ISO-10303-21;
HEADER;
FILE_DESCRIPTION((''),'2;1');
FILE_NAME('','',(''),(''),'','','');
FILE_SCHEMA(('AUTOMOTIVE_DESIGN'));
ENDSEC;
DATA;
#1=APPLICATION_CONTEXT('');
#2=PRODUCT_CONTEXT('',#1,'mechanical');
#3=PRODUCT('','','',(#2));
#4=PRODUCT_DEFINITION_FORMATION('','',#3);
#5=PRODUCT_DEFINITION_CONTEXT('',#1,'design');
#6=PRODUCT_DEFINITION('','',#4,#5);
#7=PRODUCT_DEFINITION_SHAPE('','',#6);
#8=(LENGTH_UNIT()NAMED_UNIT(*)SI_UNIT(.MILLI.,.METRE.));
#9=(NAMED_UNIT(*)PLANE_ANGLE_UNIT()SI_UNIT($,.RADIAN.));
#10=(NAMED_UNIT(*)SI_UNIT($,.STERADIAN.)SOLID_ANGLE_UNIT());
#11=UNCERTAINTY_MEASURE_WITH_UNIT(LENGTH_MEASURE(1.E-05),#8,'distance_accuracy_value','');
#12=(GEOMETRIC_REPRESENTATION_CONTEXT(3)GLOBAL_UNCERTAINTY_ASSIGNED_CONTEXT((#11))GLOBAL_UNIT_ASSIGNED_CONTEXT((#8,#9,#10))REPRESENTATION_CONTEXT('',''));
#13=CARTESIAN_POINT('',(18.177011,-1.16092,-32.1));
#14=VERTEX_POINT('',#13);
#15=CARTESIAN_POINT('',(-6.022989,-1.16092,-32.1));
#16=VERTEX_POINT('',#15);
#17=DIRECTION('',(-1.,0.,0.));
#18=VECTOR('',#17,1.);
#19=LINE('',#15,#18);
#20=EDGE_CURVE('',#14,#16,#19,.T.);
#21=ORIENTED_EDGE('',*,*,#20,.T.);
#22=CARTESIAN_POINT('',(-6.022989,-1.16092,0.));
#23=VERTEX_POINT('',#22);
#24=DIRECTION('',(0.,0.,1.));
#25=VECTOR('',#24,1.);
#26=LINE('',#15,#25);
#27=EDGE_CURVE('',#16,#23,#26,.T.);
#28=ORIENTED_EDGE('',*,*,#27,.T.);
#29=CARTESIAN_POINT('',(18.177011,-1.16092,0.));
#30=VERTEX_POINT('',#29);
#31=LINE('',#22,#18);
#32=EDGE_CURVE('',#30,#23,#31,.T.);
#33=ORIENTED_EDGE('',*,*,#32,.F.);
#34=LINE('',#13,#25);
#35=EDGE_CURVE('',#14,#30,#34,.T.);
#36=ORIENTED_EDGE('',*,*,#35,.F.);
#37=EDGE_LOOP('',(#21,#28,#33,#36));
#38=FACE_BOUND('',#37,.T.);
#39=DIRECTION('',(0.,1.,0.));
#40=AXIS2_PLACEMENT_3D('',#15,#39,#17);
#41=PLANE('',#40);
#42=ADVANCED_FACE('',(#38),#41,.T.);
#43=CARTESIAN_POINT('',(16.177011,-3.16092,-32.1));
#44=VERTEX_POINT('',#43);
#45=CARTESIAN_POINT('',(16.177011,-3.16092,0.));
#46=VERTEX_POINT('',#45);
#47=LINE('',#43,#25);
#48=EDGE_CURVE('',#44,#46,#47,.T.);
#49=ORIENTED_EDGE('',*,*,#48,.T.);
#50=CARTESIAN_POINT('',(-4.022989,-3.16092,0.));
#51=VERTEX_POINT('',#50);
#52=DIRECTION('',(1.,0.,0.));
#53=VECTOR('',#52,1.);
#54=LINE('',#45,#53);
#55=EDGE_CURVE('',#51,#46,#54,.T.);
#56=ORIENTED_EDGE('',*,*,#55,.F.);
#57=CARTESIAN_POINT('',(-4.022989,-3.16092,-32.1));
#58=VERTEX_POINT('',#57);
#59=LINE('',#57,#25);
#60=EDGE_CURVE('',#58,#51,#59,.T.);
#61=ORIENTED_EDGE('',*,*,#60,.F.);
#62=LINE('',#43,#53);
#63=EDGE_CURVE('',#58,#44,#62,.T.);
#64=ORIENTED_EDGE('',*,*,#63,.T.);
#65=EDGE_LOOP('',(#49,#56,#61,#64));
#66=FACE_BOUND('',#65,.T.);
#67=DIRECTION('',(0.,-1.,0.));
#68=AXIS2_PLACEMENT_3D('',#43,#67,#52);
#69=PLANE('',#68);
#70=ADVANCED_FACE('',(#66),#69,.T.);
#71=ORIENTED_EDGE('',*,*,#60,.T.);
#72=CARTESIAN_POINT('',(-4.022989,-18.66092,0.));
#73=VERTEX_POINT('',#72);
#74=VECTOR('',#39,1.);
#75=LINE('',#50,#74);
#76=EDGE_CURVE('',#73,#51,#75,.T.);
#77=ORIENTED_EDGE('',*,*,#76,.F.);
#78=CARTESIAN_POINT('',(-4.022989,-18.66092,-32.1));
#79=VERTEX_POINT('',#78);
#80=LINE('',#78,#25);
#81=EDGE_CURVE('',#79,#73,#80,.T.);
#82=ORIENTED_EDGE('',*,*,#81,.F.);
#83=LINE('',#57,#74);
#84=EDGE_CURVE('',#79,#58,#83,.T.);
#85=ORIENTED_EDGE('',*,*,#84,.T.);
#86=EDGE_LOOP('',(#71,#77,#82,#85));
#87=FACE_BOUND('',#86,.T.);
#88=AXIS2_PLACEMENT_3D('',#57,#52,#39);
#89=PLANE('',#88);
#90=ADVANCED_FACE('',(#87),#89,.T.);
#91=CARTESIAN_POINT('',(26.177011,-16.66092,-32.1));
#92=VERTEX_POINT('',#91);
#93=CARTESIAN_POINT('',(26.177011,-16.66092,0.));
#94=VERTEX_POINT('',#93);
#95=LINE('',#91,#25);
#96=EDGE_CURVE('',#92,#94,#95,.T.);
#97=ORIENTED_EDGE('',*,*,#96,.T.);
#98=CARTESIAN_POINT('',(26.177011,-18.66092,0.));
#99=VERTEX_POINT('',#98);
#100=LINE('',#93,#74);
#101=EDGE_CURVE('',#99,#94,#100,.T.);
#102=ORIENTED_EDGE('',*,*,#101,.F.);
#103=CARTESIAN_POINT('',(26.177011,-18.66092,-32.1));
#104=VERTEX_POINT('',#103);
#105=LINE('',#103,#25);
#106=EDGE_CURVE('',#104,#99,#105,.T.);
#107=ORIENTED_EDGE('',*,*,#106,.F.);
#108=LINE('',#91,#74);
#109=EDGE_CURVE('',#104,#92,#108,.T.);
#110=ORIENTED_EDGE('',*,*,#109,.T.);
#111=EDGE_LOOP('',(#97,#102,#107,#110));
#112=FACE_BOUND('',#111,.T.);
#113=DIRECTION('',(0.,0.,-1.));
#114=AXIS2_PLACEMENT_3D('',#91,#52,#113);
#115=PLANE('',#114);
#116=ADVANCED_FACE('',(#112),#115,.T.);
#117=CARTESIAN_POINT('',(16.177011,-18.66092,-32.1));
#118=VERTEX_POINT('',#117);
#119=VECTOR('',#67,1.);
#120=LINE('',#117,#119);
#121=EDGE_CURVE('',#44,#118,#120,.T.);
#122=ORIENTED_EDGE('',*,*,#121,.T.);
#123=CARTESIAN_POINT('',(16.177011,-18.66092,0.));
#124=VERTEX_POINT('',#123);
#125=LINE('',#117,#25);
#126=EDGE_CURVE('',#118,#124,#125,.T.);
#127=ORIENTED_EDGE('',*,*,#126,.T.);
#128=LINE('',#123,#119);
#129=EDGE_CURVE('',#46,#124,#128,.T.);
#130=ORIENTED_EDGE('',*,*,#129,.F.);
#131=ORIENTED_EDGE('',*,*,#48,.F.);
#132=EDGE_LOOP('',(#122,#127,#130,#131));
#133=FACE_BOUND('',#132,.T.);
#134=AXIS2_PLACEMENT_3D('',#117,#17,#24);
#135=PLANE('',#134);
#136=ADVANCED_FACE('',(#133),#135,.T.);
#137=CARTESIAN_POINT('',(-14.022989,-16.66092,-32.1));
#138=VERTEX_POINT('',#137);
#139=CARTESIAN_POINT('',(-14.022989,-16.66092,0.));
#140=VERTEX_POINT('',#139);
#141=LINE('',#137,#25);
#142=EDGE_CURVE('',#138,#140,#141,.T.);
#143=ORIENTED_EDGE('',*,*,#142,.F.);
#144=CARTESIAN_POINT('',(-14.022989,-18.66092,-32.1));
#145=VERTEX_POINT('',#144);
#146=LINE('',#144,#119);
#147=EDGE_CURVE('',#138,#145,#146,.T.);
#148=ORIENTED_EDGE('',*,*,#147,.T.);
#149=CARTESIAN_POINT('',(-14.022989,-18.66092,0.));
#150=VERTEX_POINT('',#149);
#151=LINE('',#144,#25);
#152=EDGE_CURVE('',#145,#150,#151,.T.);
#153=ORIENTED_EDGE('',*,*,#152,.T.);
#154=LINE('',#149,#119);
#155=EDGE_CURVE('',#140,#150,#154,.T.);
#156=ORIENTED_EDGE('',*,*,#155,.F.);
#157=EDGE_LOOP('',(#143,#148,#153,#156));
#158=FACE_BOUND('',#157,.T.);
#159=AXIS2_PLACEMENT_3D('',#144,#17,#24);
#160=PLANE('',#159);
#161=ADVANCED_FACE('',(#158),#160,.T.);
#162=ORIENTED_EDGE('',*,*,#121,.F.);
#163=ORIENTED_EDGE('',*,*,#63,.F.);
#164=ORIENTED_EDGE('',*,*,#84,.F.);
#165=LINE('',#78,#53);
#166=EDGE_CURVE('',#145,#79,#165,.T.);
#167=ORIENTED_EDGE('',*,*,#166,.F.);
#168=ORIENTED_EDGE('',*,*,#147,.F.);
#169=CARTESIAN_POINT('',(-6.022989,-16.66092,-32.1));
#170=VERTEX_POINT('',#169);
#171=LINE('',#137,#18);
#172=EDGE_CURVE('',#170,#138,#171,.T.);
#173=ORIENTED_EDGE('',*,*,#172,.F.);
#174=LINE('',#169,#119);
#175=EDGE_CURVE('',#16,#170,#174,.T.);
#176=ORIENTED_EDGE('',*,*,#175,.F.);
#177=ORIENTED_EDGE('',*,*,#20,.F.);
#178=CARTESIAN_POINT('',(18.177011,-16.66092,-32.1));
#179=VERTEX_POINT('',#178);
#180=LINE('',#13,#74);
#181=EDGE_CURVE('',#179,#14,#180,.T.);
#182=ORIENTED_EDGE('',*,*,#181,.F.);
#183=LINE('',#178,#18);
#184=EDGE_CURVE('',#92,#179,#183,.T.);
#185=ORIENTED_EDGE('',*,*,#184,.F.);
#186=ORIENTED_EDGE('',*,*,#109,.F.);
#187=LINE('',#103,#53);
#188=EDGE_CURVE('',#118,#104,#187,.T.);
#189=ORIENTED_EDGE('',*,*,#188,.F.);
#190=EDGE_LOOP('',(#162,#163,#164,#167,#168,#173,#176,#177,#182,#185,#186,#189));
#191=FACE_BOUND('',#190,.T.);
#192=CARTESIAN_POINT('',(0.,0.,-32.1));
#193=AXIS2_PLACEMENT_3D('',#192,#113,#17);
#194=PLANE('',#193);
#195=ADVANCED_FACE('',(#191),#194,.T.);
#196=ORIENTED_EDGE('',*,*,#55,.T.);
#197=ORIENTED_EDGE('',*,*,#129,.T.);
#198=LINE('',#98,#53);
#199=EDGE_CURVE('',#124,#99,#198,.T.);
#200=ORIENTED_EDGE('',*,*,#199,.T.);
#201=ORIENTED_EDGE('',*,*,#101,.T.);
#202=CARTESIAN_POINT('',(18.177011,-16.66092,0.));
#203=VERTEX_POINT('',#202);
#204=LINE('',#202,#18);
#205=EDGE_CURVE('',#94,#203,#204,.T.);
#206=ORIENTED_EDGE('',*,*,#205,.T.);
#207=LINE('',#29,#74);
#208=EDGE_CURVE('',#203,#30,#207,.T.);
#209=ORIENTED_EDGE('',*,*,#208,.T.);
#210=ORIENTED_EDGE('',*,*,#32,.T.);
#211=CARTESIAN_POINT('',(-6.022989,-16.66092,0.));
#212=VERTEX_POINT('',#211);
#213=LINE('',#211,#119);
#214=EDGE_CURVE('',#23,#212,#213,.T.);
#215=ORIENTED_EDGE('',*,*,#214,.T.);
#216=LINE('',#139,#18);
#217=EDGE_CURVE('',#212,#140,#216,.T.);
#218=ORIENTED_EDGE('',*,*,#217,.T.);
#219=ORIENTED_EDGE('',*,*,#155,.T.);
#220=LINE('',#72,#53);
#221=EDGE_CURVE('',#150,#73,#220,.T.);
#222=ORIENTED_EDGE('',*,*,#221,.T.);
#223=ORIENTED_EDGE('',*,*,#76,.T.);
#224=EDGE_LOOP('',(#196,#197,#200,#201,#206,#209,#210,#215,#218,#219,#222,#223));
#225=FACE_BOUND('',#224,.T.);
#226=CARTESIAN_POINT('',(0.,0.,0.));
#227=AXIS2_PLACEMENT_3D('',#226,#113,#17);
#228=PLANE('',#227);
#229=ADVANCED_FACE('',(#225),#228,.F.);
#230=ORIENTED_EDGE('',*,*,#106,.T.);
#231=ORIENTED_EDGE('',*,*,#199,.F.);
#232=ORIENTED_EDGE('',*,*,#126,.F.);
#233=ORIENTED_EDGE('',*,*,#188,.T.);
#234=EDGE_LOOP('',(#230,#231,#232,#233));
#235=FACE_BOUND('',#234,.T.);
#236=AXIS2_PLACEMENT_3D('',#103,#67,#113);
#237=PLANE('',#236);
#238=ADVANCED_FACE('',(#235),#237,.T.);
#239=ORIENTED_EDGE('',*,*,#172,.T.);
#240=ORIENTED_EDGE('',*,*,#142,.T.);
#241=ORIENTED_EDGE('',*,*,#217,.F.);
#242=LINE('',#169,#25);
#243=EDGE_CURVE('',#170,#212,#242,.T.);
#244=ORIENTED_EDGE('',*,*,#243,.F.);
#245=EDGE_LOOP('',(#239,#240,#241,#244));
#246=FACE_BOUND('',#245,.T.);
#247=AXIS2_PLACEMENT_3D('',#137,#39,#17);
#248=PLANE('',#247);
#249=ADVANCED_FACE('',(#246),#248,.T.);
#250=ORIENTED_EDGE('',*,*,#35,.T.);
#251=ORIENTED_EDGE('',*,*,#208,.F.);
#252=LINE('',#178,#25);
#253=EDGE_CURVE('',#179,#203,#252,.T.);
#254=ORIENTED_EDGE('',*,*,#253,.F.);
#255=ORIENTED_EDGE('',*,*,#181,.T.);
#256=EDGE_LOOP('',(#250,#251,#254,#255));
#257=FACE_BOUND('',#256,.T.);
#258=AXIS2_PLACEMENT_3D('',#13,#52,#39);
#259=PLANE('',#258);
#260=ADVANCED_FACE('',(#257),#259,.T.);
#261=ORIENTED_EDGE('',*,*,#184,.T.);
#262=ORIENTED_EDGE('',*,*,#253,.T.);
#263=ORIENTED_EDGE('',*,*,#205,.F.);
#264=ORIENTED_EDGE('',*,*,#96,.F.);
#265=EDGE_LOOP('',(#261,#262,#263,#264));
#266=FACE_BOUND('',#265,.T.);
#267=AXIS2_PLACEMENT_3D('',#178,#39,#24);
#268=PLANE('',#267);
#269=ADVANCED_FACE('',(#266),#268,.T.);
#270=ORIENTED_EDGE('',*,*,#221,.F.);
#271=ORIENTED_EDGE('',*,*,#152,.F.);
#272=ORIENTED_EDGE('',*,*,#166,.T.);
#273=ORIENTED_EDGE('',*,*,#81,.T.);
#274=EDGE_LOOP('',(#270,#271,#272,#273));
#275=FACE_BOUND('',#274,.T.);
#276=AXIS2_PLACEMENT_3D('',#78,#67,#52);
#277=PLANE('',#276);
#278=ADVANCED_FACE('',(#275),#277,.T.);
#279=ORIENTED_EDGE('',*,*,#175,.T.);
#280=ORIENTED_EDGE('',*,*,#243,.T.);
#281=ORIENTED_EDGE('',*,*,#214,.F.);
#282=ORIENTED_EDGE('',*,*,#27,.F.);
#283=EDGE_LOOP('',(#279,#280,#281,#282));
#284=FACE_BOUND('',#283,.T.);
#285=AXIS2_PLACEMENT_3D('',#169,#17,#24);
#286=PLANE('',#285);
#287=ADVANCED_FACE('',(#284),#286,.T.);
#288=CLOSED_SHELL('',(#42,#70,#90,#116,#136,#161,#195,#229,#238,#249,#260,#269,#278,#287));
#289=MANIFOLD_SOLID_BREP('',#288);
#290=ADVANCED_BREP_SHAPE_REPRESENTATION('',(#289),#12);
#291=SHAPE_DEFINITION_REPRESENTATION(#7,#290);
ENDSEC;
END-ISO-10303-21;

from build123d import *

# Parameters (mm, degrees)
BOSS_EXTRUDE1_DEPTH = 32.1


with BuildPart() as part:
    # Sketch1 → Boss-Extrude1 (new body)
    with BuildSketch(Plane.XY):
        Polygon((26.177011494, -18.66091954), (16.177011494, -18.66091954), (16.177011494, -3.16091954), (-4.022988506, -3.16091954), (-4.022988506, -18.66091954), (-14.022988506, -18.66091954), (-14.022988506, -16.66091954), (-6.022988506, -16.66091954), (-6.022988506, -1.16091954), (18.177011494, -1.16091954), (18.177011494, -16.66091954), (26.177011494, -16.66091954), align=None)
    extrude(amount=-BOSS_EXTRUDE1_DEPTH)


solid = part.part
